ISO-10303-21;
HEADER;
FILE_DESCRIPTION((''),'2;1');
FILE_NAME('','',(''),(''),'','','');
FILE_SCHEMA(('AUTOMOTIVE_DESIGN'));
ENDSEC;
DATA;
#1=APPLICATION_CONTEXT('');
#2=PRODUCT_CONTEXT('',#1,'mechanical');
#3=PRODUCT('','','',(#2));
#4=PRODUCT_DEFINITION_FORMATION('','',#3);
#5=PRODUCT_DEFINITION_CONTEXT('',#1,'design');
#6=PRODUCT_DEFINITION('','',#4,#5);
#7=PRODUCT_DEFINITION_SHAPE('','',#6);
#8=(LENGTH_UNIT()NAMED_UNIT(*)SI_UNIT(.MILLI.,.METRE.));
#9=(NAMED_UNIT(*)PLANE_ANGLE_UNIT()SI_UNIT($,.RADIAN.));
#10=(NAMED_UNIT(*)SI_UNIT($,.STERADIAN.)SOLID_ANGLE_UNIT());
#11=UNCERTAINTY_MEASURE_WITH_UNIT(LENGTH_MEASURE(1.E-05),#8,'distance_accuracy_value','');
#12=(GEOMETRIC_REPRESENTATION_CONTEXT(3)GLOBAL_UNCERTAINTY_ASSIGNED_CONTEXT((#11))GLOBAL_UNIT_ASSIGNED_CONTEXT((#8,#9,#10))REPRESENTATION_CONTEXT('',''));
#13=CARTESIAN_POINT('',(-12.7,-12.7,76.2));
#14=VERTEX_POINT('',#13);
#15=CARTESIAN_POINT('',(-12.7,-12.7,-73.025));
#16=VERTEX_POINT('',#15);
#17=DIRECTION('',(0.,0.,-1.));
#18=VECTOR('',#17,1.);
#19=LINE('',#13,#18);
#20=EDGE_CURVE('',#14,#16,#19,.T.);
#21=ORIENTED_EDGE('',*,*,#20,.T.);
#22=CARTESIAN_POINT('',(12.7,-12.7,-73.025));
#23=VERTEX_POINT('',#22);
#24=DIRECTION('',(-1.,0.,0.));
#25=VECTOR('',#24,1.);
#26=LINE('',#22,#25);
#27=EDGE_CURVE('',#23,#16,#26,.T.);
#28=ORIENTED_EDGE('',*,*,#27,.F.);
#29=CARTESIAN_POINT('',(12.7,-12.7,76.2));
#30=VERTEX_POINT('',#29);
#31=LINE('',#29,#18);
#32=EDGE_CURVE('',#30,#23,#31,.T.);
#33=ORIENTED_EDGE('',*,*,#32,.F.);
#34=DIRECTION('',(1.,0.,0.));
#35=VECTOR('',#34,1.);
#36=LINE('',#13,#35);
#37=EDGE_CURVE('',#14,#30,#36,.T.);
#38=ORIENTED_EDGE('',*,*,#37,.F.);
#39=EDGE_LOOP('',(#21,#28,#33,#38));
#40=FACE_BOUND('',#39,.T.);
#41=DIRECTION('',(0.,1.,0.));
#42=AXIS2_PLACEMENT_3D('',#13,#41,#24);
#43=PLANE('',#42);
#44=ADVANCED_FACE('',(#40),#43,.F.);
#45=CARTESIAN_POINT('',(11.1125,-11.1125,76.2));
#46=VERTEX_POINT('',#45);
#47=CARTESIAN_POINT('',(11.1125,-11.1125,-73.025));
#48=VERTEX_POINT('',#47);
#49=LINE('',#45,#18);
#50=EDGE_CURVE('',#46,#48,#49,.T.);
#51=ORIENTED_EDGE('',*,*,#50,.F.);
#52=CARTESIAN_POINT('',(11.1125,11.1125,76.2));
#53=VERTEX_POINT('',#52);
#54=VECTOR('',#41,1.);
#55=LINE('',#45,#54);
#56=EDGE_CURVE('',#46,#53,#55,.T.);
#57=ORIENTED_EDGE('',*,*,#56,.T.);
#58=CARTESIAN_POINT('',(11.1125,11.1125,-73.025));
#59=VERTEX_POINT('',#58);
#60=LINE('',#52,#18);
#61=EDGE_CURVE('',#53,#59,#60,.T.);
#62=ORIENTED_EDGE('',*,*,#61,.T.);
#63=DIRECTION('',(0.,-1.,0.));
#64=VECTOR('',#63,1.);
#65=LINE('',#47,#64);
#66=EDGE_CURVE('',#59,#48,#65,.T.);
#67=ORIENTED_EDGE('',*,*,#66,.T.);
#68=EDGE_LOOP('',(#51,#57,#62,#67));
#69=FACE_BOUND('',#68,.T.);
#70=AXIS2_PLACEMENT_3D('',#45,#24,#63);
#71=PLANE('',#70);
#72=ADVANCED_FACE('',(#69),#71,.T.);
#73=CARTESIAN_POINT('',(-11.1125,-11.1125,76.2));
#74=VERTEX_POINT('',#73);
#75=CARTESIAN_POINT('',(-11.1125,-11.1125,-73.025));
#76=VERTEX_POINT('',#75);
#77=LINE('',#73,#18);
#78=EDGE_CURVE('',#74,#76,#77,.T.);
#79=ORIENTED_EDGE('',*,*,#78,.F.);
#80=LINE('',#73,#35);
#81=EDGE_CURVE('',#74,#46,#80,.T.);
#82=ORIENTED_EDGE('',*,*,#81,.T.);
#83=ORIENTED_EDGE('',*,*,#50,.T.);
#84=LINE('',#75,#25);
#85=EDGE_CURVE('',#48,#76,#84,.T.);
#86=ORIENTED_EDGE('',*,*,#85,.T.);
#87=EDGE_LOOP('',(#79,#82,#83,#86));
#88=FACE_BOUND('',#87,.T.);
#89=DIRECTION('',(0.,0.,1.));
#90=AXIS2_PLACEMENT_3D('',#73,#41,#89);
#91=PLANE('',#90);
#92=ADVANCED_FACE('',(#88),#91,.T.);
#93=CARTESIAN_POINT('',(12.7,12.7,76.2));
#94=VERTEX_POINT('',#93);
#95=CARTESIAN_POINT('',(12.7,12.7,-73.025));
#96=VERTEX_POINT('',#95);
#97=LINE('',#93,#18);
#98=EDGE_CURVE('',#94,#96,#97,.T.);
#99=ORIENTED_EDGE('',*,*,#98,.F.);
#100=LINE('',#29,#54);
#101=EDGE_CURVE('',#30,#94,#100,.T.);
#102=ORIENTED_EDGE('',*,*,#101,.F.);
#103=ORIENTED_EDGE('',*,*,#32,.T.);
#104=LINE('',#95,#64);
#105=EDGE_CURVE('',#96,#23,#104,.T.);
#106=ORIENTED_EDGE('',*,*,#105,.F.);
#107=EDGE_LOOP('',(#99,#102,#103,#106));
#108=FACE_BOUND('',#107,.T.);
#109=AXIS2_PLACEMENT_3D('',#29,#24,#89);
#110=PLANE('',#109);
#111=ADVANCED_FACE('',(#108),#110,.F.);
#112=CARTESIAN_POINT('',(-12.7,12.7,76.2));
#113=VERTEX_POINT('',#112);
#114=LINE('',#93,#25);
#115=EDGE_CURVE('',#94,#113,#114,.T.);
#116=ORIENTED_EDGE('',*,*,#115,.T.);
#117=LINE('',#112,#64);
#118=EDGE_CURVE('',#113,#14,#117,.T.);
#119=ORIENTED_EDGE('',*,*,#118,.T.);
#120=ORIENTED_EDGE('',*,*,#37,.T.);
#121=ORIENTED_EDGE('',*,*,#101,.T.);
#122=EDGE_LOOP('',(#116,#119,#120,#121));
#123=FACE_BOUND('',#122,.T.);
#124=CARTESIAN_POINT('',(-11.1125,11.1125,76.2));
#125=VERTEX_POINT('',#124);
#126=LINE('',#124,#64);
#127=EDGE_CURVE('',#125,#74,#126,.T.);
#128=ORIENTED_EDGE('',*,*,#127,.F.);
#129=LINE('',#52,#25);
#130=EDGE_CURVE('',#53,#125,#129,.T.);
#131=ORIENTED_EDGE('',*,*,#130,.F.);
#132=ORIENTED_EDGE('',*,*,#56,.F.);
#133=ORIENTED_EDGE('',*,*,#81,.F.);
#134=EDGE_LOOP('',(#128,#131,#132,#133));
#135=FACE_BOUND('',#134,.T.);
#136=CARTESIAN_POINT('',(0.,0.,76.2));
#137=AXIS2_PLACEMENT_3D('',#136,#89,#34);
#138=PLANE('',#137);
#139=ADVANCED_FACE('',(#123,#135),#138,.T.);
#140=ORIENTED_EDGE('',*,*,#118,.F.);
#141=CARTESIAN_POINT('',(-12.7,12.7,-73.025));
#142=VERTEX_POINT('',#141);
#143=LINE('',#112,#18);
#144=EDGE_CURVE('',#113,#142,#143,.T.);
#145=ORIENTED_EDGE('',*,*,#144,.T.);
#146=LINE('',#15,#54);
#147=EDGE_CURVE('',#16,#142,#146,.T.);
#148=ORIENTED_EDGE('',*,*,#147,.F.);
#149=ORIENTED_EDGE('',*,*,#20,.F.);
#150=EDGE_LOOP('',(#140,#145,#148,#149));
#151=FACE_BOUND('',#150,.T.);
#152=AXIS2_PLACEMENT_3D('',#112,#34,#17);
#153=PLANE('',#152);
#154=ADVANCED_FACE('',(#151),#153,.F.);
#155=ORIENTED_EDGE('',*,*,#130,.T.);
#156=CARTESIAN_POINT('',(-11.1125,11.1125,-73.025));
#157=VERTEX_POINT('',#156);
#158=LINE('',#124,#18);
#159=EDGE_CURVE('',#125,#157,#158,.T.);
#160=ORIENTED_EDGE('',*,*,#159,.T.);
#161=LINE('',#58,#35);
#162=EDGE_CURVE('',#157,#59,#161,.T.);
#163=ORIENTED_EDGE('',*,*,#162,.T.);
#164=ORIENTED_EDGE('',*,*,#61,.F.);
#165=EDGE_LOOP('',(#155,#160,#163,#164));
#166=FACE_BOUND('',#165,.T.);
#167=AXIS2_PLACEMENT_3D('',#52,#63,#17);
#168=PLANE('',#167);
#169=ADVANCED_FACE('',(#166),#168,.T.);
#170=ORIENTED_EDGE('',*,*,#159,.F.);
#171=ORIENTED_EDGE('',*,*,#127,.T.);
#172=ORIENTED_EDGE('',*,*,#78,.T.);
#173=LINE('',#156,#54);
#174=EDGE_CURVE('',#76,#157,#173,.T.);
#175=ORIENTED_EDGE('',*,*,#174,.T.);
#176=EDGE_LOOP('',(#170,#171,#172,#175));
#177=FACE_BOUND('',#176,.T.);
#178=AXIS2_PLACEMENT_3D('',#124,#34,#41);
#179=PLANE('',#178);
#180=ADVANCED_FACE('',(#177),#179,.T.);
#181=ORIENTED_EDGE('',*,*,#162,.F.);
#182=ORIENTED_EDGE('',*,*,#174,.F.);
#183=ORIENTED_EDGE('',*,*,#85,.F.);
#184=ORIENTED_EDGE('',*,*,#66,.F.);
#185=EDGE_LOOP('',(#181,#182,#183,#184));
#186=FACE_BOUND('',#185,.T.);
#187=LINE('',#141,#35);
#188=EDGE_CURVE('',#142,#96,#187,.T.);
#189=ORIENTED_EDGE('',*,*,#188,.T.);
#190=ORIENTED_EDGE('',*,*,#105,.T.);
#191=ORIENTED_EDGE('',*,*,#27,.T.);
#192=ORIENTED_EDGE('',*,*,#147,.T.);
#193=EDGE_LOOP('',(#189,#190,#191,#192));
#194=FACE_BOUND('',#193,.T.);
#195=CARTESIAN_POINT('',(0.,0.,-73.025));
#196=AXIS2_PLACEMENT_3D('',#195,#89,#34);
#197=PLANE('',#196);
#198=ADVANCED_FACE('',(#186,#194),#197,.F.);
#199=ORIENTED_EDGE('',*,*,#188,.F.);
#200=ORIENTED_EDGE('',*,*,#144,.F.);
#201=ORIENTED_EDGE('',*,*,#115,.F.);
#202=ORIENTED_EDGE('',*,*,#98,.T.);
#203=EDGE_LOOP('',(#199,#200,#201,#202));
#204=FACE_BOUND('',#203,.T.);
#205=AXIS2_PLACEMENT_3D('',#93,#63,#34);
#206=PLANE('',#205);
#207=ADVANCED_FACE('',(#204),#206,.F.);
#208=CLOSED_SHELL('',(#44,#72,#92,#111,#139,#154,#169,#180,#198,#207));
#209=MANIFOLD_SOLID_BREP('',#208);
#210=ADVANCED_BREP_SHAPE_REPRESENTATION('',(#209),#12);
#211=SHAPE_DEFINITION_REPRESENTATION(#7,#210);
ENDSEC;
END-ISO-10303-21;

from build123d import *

# Parameters (mm, degrees)
SKETCH3_W                = 25.4
SKETCH3_H                = 25.4
SKETCH3_W_2              = 22.225
SKETCH3_H_2              = 22.225
BOSS_EXTRUDE1_DEPTH      = 76.2
BOSS_EXTRUDE1_DEPTH_BACK = 76.2
SKETCH4_W                = 25.4
SKETCH4_H                = 25.4
SKETCH4_W_2              = 22.225
SKETCH4_H_2              = 22.225
CUT_EXTRUDE1_DEPTH       = 3.175


with BuildPart() as part:
    # Sketch3 → Boss-Extrude1 (new body, two sides)
    with BuildSketch(Plane.XY) as boss_extrude1_sk:
        Rectangle(SKETCH3_W, SKETCH3_H)
        Rectangle(SKETCH3_W_2, SKETCH3_H_2, mode=Mode.SUBTRACT)
    extrude(amount=BOSS_EXTRUDE1_DEPTH)
    extrude(boss_extrude1_sk.sketch, amount=-BOSS_EXTRUDE1_DEPTH_BACK)

    # Sketch4 → Cut-Extrude1 (cut)
    with BuildSketch(Plane(origin=(0, 0, -76.2), x_dir=(-1, 0, 0), z_dir=(0, 0, -1))):
        Rectangle(SKETCH4_W, SKETCH4_H)
        Rectangle(SKETCH4_W_2, SKETCH4_H_2, mode=Mode.SUBTRACT)
    extrude(amount=-CUT_EXTRUDE1_DEPTH, mode=Mode.SUBTRACT)


solid = part.part
